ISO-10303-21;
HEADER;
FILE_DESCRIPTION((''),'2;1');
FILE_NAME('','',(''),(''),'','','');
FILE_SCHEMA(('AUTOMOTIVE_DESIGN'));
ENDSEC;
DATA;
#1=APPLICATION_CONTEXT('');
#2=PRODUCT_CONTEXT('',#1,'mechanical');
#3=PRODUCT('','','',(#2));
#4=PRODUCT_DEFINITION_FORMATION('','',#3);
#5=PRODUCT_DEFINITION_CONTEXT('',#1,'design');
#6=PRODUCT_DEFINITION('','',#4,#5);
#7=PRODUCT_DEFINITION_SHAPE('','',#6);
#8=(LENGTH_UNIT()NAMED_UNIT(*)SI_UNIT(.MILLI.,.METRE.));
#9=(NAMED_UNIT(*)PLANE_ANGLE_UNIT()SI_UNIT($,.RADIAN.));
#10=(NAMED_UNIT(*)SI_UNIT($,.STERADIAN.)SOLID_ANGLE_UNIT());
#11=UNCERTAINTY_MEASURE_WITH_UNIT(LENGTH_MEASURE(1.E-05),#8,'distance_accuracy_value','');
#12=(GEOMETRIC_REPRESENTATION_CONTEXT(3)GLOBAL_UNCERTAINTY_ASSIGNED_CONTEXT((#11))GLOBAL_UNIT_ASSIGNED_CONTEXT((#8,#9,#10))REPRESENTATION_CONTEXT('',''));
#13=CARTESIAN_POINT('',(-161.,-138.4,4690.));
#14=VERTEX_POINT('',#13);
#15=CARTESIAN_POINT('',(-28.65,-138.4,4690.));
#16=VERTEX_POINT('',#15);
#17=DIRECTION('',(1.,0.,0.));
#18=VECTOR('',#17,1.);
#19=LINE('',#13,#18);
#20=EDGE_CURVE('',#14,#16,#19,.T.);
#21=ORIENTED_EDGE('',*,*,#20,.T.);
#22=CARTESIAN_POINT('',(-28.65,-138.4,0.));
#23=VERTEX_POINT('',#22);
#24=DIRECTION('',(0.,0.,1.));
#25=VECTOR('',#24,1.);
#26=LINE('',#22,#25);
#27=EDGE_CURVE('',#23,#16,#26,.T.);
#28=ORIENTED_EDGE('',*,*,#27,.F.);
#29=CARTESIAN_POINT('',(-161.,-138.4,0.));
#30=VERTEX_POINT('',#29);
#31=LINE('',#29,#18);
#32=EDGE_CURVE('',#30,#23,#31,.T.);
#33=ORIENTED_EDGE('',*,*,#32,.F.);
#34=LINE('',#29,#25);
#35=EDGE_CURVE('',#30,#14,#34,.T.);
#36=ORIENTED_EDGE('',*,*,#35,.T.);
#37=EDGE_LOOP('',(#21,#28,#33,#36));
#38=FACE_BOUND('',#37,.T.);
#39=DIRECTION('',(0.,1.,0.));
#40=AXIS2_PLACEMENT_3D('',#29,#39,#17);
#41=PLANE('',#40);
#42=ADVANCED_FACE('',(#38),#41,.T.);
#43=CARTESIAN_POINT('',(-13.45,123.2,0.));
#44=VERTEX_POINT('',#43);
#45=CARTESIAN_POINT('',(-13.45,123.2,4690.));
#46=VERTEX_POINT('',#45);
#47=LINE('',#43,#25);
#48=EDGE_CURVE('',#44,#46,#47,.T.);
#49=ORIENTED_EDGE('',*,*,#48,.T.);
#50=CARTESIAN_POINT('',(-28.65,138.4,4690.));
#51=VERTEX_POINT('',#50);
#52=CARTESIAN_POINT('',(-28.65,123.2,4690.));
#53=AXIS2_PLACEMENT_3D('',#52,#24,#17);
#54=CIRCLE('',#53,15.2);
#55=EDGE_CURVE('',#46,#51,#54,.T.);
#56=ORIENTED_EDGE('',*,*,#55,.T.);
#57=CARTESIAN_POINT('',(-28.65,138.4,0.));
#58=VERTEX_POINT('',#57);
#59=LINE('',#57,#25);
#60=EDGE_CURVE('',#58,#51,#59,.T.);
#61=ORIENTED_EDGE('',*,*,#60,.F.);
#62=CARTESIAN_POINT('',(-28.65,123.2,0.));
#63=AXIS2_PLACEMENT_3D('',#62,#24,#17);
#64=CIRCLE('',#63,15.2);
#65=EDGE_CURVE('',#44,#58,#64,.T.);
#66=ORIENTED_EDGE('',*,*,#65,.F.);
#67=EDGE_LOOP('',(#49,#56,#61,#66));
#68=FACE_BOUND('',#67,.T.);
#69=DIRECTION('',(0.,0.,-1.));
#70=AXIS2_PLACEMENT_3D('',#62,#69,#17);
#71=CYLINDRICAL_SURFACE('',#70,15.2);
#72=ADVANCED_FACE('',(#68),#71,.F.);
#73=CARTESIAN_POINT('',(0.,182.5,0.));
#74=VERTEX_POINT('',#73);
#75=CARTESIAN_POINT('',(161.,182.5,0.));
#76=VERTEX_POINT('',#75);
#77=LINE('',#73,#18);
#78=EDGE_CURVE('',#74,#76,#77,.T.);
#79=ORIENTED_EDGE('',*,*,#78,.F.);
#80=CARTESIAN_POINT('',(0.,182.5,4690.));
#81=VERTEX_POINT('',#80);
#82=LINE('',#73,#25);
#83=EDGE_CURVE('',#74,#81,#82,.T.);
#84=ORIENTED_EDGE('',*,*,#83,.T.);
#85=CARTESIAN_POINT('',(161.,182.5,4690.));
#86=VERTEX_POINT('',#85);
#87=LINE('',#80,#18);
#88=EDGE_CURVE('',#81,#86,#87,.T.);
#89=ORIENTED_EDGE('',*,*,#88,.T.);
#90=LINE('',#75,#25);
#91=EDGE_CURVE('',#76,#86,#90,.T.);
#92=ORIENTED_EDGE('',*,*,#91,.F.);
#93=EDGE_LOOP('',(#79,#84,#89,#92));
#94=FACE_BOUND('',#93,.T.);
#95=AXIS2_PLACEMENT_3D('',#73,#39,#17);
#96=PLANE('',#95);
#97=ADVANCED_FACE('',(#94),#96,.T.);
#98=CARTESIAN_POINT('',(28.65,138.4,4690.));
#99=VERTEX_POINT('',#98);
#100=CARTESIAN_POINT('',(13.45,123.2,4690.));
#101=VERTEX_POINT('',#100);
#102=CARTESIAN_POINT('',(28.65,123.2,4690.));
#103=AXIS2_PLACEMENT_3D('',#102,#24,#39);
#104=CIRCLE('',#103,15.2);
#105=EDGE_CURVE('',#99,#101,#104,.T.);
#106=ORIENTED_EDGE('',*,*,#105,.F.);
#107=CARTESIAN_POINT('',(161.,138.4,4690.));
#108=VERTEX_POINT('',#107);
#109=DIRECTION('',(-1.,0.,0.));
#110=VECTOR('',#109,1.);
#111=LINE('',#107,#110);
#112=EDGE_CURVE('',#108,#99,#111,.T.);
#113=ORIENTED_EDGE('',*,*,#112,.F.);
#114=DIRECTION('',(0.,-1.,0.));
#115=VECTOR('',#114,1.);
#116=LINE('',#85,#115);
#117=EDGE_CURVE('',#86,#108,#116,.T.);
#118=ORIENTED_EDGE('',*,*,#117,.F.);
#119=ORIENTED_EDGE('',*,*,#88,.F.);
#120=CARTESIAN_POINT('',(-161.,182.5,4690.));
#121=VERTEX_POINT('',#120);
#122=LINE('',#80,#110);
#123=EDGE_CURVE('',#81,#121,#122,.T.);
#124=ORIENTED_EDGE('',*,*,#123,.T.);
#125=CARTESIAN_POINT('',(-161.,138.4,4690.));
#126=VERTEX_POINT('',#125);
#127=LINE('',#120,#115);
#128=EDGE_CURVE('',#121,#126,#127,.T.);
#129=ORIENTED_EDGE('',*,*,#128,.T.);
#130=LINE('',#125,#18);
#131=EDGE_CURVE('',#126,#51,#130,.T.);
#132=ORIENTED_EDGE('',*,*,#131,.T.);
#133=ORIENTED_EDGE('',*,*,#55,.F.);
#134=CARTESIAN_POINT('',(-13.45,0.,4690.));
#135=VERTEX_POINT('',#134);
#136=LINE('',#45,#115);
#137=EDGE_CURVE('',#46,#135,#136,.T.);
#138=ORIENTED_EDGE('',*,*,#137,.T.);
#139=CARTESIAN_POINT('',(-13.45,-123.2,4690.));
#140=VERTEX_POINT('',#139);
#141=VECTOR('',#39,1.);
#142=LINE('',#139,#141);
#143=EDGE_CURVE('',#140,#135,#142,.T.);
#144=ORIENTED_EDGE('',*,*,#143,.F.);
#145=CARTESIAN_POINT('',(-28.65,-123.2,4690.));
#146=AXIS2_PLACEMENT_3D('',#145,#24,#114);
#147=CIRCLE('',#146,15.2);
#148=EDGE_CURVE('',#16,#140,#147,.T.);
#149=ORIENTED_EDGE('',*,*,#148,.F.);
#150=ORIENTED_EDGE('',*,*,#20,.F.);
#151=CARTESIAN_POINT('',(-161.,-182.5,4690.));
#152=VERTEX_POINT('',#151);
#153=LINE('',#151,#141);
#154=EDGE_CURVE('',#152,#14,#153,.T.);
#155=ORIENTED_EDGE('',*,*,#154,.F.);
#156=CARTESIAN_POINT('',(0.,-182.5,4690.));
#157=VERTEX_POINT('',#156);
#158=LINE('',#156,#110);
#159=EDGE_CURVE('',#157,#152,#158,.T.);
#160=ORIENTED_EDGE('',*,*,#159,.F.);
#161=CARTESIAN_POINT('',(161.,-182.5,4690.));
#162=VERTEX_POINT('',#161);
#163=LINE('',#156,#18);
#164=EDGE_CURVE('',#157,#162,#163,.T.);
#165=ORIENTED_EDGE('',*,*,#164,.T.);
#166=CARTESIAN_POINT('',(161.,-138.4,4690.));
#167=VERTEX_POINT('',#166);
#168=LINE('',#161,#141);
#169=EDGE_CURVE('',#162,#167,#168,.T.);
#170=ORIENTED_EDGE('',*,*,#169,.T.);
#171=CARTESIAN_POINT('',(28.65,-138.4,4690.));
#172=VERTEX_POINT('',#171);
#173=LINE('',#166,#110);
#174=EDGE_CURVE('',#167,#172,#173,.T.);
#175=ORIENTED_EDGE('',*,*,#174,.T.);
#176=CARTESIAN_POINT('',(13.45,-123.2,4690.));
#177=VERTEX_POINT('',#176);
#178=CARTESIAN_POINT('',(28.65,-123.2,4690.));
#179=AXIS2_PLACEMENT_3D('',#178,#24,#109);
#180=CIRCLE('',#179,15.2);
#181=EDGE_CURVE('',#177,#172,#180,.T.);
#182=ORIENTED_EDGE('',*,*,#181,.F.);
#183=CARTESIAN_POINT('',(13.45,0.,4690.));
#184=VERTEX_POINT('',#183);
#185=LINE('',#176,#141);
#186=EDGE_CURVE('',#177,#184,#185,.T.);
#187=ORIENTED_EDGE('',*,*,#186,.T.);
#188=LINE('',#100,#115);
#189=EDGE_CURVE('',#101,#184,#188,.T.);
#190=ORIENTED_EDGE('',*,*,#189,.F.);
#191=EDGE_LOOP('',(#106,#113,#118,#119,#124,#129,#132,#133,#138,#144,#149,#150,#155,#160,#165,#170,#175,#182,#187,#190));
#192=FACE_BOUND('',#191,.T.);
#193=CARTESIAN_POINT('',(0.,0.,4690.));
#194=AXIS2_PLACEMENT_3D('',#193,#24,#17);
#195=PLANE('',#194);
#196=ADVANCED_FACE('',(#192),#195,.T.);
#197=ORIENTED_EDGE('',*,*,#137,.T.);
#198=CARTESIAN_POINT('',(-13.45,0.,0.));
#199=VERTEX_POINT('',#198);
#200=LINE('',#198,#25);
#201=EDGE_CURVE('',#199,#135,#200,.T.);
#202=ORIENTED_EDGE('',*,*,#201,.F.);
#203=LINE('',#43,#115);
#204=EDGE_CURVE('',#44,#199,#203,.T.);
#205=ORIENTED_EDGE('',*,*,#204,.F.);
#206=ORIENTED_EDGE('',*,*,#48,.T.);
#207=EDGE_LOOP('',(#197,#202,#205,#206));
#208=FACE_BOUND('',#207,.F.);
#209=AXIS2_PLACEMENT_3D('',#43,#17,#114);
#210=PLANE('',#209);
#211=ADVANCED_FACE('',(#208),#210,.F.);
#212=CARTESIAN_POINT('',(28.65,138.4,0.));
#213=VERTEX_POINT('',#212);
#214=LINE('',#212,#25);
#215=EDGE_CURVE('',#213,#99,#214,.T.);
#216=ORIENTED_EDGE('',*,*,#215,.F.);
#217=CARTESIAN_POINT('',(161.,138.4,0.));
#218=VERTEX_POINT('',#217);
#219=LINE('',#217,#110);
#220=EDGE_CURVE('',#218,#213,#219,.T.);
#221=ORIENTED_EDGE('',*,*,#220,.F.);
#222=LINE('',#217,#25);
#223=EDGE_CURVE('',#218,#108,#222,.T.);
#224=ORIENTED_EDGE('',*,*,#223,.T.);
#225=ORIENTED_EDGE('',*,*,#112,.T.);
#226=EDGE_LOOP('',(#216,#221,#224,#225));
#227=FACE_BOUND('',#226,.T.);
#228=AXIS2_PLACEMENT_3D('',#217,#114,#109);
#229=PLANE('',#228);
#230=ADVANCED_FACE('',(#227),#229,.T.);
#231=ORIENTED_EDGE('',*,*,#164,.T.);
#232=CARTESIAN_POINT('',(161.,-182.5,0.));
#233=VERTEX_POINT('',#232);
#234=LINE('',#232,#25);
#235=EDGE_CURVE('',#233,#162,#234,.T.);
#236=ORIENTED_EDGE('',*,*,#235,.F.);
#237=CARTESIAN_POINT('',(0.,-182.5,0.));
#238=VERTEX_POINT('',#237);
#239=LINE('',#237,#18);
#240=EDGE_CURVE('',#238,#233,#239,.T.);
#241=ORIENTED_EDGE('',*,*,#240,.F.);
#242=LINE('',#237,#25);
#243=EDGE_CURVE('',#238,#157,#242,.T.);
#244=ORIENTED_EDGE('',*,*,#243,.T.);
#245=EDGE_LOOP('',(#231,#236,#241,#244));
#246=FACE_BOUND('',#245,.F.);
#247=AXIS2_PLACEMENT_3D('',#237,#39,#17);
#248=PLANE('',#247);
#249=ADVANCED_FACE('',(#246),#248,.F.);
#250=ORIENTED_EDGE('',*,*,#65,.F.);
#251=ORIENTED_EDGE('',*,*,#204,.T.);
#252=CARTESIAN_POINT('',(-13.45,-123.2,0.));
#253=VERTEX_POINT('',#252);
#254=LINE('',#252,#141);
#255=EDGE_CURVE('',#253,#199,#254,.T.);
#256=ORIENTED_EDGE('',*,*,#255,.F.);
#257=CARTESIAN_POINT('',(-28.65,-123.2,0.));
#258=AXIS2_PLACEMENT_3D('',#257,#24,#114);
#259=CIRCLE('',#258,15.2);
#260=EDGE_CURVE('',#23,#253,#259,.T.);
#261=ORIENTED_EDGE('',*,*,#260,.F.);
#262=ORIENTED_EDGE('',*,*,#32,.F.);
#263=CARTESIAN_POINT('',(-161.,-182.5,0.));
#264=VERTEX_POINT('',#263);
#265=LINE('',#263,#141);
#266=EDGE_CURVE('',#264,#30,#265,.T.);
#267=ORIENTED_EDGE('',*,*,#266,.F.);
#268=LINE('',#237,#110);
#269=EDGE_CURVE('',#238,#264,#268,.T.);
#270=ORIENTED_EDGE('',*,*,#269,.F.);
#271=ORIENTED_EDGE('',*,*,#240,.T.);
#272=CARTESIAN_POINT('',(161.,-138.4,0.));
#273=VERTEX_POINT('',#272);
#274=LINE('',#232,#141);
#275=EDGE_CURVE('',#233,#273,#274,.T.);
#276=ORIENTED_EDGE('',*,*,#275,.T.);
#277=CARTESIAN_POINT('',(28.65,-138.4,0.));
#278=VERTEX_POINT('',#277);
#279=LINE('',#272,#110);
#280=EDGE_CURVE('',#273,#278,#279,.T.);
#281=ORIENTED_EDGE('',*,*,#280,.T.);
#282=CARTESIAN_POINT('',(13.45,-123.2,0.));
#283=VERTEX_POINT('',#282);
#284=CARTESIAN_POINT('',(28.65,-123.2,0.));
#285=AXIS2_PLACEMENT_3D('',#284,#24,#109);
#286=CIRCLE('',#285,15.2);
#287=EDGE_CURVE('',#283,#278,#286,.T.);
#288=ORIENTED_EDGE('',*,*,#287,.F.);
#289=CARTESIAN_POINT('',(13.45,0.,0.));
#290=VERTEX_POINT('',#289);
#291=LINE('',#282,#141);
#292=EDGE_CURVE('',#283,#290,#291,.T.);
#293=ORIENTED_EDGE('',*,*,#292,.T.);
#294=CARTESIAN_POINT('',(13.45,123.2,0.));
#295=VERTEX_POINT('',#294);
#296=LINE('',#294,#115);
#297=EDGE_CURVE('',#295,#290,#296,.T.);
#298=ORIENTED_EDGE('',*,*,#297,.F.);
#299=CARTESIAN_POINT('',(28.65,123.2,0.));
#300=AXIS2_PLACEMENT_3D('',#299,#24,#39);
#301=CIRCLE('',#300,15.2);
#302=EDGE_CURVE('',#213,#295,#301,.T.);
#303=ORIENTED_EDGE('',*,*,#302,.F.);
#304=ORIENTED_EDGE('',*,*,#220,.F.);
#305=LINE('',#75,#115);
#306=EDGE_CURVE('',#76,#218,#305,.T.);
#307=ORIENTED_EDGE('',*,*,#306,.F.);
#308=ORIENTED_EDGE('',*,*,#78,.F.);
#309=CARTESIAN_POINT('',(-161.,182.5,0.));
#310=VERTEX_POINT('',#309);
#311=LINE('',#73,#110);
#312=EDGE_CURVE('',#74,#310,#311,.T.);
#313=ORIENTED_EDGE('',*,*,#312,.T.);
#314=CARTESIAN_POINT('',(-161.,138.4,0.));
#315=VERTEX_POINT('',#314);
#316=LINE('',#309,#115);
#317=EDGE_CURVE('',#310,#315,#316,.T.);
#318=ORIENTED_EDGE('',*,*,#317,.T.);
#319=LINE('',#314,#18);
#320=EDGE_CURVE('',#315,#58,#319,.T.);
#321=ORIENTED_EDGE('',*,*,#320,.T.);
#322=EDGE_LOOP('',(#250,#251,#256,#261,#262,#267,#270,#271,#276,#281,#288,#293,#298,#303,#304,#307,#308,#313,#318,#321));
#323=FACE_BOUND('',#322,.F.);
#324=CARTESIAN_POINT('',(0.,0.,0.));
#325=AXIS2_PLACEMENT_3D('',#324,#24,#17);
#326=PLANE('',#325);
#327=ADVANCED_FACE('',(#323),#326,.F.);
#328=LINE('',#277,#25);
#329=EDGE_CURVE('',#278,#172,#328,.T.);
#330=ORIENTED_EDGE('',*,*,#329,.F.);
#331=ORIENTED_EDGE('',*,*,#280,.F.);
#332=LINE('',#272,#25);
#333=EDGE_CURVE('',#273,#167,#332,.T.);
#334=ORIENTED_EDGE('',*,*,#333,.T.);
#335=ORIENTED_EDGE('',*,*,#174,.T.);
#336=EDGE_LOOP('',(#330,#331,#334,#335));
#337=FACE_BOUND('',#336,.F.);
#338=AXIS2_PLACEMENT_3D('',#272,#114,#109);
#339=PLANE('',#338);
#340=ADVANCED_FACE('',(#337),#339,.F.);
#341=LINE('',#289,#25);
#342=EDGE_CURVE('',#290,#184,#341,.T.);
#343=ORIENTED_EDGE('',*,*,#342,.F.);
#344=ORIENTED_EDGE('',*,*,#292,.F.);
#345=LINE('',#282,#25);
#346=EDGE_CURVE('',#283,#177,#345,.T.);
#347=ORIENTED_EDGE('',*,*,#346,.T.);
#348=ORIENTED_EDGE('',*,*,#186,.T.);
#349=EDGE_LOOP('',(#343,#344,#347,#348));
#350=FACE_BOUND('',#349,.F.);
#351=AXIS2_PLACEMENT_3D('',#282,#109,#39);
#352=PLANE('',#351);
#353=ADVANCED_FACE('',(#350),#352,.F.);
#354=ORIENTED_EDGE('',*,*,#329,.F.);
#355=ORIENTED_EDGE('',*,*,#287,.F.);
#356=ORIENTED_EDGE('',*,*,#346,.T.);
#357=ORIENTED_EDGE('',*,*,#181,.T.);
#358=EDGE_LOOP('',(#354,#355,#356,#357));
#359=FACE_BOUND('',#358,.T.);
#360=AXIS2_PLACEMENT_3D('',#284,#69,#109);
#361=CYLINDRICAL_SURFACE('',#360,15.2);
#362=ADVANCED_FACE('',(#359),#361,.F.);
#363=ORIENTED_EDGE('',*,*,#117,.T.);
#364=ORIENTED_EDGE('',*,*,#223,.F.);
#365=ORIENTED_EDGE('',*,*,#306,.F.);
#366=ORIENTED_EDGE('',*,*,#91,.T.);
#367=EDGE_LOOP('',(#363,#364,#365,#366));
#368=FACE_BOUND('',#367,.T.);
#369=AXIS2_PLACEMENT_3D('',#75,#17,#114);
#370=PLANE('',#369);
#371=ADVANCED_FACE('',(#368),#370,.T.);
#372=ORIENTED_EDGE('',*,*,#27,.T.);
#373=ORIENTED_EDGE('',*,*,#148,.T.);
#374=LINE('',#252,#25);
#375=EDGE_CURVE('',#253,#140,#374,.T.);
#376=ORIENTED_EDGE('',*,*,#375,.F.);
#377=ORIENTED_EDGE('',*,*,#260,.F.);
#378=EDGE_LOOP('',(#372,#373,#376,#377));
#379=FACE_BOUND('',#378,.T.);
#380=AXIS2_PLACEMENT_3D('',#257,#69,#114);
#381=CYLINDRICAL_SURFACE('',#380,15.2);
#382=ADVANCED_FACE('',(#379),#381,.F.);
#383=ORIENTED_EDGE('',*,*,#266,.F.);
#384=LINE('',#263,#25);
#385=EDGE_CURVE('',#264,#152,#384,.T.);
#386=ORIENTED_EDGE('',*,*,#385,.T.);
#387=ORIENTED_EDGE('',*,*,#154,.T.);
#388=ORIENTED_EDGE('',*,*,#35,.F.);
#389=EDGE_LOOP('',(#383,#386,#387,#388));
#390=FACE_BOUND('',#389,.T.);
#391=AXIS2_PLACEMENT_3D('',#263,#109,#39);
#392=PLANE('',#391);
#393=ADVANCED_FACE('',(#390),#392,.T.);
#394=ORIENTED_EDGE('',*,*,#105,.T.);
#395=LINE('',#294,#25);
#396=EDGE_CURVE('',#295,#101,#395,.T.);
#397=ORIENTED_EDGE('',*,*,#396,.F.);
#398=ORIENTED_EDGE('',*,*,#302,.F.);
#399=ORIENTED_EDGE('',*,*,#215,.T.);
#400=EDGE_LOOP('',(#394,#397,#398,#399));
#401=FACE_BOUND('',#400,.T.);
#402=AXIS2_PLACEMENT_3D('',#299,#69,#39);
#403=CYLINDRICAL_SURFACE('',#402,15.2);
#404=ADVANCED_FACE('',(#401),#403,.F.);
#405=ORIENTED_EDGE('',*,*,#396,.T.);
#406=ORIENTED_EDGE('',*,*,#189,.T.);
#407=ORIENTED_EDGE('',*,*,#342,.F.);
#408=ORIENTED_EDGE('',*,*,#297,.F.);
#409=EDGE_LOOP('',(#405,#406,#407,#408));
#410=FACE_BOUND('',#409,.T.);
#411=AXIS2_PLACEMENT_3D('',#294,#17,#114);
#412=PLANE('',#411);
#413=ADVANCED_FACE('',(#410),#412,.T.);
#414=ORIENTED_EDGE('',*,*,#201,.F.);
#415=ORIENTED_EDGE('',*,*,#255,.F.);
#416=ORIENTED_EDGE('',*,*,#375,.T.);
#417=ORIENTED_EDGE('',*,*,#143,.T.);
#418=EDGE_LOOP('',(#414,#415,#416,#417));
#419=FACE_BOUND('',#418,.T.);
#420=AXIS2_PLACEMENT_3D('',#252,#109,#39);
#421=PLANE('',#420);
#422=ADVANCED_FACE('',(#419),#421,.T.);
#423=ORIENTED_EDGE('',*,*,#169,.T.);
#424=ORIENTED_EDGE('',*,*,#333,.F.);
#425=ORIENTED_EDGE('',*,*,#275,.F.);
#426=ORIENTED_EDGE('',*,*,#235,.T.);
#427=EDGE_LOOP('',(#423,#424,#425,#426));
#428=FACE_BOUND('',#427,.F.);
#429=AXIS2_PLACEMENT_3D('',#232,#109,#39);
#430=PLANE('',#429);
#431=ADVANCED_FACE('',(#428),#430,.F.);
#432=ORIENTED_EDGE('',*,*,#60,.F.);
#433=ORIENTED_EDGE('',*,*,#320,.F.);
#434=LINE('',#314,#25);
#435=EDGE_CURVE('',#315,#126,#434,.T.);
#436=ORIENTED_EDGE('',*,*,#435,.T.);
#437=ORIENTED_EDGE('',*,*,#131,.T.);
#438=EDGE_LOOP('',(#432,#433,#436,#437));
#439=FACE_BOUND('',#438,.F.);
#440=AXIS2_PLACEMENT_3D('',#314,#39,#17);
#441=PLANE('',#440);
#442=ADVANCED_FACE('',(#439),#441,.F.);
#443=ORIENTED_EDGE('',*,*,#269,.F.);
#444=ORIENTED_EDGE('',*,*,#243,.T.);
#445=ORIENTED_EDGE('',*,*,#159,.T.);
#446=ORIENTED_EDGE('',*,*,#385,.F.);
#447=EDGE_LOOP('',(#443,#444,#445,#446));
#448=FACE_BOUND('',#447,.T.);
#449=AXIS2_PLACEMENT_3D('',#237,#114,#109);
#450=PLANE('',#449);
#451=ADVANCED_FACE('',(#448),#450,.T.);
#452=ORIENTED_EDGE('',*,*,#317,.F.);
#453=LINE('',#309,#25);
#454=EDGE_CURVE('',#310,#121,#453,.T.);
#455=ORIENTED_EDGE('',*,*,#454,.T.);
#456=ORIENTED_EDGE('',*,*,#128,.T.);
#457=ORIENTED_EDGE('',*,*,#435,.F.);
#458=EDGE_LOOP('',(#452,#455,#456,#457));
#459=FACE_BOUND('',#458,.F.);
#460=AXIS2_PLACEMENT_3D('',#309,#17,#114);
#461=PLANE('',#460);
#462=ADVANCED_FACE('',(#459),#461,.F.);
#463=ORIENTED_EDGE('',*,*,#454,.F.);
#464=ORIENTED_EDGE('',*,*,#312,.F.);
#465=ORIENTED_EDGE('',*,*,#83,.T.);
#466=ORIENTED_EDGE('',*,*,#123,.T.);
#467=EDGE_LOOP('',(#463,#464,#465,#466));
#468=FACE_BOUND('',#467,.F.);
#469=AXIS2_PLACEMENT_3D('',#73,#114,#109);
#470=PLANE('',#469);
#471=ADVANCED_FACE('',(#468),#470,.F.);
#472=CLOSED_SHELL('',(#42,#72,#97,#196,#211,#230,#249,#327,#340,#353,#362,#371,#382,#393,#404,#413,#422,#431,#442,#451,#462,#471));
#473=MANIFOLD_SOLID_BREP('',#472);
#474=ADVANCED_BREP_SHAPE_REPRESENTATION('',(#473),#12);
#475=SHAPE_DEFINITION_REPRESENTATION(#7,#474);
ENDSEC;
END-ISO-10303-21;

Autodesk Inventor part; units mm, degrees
ref_plane "YZ Plane" through (0, 0, 0) normal (1, 0, 0) x (0, 1, 0)
ref_plane "Start plane" through (0, 0, 0) normal (0, 0, 1) x (1, 0, 0)
ref_plane "End plane" through (0, 0, 4690) normal (0, 0, 1) x (1, 0, 0)
sketch "Sketch" plane through (0, 0, 0) normal (0, 0, 1) x (1, 0, 0)
  line L0 (-161, -182.5) -> (-161, -138.4)
  line L1 (-161, -138.4) -> (-28.65, -138.4)
  line L2 (-13.45, -123.2) -> (-13.45, 0)
  line L3 (-13.45, 0) -> (0, 0) construction
  line L4 (0, 0) -> (0, -182.5) construction
  line L5 (0, -182.5) -> (-161, -182.5)
  line L6 (-60, 0) -> (80, 0) construction
  line L7 (0, -60) -> (0, 80) construction
  line L8 (161, -182.5) -> (161, -138.4)
  line L9 (161, -138.4) -> (28.65, -138.4)
  line L10 (13.45, -123.2) -> (13.45, 0)
  line L11 (13.45, 0) -> (0, 0) construction
  line L12 (0, -182.5) -> (161, -182.5)
  line L13 (-161, 182.5) -> (-161, 138.4)
  line L14 (-161, 138.4) -> (-28.65, 138.4)
  line L15 (-13.45, 123.2) -> (-13.45, 0)
  line L16 (0, 182.5) -> (-161, 182.5)
  line L17 (161, 182.5) -> (161, 138.4)
  line L18 (161, 138.4) -> (28.65, 138.4)
  line L19 (0, 182.5) -> (161, 182.5)
  line L20 (13.45, 123.2) -> (13.45, 0)
  arc A0 (-13.45, 123.2) -> (-28.65, 138.4) centre (-28.65, 123.2) ccw
  arc A1 (28.65, 138.4) -> (13.45, 123.2) centre (28.65, 123.2) ccw
  arc A2 (13.45, -123.2) -> (28.65, -138.4) centre (28.65, -123.2) ccw
  arc A3 (-28.65, -138.4) -> (-13.45, -123.2) centre (-28.65, -123.2) ccw
  line L21 (0, 108) -> (0, -88) construction
  line L22 (-88, 0) -> (108, 0) construction
  point P0 (-13.45, -138.4)
  point P1 (13.45, -138.4)
  point P2 (-13.45, 138.4)
  point P3 (13.45, 138.4)
  dimension "d1" = 182.5
  dimension "d2" = 44.1
  dimension "d3" = 161
  dimension "d4" = 13.45
  dimension "d10" = 15.2
extrude "Body" add sketch "Sketch" along normal up to surface (4690 mm away) from surface at 0
sketch "Sketch4" plane through (0, 0, 0) normal (0, 0, 1) x (1, 0, 0)
  line L0 (0, 0) -> (10, 0)
ref_plane "Work Plane3" through (0, 0, 0) normal (0, -1, 0) x (1, 0, 0)
sketch "Sketch5" plane through (0, 0, 0) normal (0, -1, 0) x (1, 0, 0)
  line L0 (-2, 0) -> (12, 0) projected
  line L1 (-2, 4690) -> (12, 4690) projected
  dimension "d14" = 4690
equation "\"d1\" = 0.5 * G_H"
equation "\"d2\" = G_T1"
equation "\"d3\" = 0.5 * G_W"
equation "\"d4\" = 0.5 * G_T"
equation "\"d10\" = G_IR"
equation "\"d5\" = G_L"
equation "\"G_W\" = 322"
equation "\"G_H\" = 365"
equation "\"G_T\" = 26.9"
equation "\"G_T1\" = 44.1"
equation "\"G_IR\" = 15.2"
equation "\"G_L\" = d14"
equation "\"G_OFFSET_START\" = 0"
equation "\"G_OFFSET_END\" = 0"
properties part number "AS 3679 - 310 UC - 283 - 4690" material "Steel, Mild"
